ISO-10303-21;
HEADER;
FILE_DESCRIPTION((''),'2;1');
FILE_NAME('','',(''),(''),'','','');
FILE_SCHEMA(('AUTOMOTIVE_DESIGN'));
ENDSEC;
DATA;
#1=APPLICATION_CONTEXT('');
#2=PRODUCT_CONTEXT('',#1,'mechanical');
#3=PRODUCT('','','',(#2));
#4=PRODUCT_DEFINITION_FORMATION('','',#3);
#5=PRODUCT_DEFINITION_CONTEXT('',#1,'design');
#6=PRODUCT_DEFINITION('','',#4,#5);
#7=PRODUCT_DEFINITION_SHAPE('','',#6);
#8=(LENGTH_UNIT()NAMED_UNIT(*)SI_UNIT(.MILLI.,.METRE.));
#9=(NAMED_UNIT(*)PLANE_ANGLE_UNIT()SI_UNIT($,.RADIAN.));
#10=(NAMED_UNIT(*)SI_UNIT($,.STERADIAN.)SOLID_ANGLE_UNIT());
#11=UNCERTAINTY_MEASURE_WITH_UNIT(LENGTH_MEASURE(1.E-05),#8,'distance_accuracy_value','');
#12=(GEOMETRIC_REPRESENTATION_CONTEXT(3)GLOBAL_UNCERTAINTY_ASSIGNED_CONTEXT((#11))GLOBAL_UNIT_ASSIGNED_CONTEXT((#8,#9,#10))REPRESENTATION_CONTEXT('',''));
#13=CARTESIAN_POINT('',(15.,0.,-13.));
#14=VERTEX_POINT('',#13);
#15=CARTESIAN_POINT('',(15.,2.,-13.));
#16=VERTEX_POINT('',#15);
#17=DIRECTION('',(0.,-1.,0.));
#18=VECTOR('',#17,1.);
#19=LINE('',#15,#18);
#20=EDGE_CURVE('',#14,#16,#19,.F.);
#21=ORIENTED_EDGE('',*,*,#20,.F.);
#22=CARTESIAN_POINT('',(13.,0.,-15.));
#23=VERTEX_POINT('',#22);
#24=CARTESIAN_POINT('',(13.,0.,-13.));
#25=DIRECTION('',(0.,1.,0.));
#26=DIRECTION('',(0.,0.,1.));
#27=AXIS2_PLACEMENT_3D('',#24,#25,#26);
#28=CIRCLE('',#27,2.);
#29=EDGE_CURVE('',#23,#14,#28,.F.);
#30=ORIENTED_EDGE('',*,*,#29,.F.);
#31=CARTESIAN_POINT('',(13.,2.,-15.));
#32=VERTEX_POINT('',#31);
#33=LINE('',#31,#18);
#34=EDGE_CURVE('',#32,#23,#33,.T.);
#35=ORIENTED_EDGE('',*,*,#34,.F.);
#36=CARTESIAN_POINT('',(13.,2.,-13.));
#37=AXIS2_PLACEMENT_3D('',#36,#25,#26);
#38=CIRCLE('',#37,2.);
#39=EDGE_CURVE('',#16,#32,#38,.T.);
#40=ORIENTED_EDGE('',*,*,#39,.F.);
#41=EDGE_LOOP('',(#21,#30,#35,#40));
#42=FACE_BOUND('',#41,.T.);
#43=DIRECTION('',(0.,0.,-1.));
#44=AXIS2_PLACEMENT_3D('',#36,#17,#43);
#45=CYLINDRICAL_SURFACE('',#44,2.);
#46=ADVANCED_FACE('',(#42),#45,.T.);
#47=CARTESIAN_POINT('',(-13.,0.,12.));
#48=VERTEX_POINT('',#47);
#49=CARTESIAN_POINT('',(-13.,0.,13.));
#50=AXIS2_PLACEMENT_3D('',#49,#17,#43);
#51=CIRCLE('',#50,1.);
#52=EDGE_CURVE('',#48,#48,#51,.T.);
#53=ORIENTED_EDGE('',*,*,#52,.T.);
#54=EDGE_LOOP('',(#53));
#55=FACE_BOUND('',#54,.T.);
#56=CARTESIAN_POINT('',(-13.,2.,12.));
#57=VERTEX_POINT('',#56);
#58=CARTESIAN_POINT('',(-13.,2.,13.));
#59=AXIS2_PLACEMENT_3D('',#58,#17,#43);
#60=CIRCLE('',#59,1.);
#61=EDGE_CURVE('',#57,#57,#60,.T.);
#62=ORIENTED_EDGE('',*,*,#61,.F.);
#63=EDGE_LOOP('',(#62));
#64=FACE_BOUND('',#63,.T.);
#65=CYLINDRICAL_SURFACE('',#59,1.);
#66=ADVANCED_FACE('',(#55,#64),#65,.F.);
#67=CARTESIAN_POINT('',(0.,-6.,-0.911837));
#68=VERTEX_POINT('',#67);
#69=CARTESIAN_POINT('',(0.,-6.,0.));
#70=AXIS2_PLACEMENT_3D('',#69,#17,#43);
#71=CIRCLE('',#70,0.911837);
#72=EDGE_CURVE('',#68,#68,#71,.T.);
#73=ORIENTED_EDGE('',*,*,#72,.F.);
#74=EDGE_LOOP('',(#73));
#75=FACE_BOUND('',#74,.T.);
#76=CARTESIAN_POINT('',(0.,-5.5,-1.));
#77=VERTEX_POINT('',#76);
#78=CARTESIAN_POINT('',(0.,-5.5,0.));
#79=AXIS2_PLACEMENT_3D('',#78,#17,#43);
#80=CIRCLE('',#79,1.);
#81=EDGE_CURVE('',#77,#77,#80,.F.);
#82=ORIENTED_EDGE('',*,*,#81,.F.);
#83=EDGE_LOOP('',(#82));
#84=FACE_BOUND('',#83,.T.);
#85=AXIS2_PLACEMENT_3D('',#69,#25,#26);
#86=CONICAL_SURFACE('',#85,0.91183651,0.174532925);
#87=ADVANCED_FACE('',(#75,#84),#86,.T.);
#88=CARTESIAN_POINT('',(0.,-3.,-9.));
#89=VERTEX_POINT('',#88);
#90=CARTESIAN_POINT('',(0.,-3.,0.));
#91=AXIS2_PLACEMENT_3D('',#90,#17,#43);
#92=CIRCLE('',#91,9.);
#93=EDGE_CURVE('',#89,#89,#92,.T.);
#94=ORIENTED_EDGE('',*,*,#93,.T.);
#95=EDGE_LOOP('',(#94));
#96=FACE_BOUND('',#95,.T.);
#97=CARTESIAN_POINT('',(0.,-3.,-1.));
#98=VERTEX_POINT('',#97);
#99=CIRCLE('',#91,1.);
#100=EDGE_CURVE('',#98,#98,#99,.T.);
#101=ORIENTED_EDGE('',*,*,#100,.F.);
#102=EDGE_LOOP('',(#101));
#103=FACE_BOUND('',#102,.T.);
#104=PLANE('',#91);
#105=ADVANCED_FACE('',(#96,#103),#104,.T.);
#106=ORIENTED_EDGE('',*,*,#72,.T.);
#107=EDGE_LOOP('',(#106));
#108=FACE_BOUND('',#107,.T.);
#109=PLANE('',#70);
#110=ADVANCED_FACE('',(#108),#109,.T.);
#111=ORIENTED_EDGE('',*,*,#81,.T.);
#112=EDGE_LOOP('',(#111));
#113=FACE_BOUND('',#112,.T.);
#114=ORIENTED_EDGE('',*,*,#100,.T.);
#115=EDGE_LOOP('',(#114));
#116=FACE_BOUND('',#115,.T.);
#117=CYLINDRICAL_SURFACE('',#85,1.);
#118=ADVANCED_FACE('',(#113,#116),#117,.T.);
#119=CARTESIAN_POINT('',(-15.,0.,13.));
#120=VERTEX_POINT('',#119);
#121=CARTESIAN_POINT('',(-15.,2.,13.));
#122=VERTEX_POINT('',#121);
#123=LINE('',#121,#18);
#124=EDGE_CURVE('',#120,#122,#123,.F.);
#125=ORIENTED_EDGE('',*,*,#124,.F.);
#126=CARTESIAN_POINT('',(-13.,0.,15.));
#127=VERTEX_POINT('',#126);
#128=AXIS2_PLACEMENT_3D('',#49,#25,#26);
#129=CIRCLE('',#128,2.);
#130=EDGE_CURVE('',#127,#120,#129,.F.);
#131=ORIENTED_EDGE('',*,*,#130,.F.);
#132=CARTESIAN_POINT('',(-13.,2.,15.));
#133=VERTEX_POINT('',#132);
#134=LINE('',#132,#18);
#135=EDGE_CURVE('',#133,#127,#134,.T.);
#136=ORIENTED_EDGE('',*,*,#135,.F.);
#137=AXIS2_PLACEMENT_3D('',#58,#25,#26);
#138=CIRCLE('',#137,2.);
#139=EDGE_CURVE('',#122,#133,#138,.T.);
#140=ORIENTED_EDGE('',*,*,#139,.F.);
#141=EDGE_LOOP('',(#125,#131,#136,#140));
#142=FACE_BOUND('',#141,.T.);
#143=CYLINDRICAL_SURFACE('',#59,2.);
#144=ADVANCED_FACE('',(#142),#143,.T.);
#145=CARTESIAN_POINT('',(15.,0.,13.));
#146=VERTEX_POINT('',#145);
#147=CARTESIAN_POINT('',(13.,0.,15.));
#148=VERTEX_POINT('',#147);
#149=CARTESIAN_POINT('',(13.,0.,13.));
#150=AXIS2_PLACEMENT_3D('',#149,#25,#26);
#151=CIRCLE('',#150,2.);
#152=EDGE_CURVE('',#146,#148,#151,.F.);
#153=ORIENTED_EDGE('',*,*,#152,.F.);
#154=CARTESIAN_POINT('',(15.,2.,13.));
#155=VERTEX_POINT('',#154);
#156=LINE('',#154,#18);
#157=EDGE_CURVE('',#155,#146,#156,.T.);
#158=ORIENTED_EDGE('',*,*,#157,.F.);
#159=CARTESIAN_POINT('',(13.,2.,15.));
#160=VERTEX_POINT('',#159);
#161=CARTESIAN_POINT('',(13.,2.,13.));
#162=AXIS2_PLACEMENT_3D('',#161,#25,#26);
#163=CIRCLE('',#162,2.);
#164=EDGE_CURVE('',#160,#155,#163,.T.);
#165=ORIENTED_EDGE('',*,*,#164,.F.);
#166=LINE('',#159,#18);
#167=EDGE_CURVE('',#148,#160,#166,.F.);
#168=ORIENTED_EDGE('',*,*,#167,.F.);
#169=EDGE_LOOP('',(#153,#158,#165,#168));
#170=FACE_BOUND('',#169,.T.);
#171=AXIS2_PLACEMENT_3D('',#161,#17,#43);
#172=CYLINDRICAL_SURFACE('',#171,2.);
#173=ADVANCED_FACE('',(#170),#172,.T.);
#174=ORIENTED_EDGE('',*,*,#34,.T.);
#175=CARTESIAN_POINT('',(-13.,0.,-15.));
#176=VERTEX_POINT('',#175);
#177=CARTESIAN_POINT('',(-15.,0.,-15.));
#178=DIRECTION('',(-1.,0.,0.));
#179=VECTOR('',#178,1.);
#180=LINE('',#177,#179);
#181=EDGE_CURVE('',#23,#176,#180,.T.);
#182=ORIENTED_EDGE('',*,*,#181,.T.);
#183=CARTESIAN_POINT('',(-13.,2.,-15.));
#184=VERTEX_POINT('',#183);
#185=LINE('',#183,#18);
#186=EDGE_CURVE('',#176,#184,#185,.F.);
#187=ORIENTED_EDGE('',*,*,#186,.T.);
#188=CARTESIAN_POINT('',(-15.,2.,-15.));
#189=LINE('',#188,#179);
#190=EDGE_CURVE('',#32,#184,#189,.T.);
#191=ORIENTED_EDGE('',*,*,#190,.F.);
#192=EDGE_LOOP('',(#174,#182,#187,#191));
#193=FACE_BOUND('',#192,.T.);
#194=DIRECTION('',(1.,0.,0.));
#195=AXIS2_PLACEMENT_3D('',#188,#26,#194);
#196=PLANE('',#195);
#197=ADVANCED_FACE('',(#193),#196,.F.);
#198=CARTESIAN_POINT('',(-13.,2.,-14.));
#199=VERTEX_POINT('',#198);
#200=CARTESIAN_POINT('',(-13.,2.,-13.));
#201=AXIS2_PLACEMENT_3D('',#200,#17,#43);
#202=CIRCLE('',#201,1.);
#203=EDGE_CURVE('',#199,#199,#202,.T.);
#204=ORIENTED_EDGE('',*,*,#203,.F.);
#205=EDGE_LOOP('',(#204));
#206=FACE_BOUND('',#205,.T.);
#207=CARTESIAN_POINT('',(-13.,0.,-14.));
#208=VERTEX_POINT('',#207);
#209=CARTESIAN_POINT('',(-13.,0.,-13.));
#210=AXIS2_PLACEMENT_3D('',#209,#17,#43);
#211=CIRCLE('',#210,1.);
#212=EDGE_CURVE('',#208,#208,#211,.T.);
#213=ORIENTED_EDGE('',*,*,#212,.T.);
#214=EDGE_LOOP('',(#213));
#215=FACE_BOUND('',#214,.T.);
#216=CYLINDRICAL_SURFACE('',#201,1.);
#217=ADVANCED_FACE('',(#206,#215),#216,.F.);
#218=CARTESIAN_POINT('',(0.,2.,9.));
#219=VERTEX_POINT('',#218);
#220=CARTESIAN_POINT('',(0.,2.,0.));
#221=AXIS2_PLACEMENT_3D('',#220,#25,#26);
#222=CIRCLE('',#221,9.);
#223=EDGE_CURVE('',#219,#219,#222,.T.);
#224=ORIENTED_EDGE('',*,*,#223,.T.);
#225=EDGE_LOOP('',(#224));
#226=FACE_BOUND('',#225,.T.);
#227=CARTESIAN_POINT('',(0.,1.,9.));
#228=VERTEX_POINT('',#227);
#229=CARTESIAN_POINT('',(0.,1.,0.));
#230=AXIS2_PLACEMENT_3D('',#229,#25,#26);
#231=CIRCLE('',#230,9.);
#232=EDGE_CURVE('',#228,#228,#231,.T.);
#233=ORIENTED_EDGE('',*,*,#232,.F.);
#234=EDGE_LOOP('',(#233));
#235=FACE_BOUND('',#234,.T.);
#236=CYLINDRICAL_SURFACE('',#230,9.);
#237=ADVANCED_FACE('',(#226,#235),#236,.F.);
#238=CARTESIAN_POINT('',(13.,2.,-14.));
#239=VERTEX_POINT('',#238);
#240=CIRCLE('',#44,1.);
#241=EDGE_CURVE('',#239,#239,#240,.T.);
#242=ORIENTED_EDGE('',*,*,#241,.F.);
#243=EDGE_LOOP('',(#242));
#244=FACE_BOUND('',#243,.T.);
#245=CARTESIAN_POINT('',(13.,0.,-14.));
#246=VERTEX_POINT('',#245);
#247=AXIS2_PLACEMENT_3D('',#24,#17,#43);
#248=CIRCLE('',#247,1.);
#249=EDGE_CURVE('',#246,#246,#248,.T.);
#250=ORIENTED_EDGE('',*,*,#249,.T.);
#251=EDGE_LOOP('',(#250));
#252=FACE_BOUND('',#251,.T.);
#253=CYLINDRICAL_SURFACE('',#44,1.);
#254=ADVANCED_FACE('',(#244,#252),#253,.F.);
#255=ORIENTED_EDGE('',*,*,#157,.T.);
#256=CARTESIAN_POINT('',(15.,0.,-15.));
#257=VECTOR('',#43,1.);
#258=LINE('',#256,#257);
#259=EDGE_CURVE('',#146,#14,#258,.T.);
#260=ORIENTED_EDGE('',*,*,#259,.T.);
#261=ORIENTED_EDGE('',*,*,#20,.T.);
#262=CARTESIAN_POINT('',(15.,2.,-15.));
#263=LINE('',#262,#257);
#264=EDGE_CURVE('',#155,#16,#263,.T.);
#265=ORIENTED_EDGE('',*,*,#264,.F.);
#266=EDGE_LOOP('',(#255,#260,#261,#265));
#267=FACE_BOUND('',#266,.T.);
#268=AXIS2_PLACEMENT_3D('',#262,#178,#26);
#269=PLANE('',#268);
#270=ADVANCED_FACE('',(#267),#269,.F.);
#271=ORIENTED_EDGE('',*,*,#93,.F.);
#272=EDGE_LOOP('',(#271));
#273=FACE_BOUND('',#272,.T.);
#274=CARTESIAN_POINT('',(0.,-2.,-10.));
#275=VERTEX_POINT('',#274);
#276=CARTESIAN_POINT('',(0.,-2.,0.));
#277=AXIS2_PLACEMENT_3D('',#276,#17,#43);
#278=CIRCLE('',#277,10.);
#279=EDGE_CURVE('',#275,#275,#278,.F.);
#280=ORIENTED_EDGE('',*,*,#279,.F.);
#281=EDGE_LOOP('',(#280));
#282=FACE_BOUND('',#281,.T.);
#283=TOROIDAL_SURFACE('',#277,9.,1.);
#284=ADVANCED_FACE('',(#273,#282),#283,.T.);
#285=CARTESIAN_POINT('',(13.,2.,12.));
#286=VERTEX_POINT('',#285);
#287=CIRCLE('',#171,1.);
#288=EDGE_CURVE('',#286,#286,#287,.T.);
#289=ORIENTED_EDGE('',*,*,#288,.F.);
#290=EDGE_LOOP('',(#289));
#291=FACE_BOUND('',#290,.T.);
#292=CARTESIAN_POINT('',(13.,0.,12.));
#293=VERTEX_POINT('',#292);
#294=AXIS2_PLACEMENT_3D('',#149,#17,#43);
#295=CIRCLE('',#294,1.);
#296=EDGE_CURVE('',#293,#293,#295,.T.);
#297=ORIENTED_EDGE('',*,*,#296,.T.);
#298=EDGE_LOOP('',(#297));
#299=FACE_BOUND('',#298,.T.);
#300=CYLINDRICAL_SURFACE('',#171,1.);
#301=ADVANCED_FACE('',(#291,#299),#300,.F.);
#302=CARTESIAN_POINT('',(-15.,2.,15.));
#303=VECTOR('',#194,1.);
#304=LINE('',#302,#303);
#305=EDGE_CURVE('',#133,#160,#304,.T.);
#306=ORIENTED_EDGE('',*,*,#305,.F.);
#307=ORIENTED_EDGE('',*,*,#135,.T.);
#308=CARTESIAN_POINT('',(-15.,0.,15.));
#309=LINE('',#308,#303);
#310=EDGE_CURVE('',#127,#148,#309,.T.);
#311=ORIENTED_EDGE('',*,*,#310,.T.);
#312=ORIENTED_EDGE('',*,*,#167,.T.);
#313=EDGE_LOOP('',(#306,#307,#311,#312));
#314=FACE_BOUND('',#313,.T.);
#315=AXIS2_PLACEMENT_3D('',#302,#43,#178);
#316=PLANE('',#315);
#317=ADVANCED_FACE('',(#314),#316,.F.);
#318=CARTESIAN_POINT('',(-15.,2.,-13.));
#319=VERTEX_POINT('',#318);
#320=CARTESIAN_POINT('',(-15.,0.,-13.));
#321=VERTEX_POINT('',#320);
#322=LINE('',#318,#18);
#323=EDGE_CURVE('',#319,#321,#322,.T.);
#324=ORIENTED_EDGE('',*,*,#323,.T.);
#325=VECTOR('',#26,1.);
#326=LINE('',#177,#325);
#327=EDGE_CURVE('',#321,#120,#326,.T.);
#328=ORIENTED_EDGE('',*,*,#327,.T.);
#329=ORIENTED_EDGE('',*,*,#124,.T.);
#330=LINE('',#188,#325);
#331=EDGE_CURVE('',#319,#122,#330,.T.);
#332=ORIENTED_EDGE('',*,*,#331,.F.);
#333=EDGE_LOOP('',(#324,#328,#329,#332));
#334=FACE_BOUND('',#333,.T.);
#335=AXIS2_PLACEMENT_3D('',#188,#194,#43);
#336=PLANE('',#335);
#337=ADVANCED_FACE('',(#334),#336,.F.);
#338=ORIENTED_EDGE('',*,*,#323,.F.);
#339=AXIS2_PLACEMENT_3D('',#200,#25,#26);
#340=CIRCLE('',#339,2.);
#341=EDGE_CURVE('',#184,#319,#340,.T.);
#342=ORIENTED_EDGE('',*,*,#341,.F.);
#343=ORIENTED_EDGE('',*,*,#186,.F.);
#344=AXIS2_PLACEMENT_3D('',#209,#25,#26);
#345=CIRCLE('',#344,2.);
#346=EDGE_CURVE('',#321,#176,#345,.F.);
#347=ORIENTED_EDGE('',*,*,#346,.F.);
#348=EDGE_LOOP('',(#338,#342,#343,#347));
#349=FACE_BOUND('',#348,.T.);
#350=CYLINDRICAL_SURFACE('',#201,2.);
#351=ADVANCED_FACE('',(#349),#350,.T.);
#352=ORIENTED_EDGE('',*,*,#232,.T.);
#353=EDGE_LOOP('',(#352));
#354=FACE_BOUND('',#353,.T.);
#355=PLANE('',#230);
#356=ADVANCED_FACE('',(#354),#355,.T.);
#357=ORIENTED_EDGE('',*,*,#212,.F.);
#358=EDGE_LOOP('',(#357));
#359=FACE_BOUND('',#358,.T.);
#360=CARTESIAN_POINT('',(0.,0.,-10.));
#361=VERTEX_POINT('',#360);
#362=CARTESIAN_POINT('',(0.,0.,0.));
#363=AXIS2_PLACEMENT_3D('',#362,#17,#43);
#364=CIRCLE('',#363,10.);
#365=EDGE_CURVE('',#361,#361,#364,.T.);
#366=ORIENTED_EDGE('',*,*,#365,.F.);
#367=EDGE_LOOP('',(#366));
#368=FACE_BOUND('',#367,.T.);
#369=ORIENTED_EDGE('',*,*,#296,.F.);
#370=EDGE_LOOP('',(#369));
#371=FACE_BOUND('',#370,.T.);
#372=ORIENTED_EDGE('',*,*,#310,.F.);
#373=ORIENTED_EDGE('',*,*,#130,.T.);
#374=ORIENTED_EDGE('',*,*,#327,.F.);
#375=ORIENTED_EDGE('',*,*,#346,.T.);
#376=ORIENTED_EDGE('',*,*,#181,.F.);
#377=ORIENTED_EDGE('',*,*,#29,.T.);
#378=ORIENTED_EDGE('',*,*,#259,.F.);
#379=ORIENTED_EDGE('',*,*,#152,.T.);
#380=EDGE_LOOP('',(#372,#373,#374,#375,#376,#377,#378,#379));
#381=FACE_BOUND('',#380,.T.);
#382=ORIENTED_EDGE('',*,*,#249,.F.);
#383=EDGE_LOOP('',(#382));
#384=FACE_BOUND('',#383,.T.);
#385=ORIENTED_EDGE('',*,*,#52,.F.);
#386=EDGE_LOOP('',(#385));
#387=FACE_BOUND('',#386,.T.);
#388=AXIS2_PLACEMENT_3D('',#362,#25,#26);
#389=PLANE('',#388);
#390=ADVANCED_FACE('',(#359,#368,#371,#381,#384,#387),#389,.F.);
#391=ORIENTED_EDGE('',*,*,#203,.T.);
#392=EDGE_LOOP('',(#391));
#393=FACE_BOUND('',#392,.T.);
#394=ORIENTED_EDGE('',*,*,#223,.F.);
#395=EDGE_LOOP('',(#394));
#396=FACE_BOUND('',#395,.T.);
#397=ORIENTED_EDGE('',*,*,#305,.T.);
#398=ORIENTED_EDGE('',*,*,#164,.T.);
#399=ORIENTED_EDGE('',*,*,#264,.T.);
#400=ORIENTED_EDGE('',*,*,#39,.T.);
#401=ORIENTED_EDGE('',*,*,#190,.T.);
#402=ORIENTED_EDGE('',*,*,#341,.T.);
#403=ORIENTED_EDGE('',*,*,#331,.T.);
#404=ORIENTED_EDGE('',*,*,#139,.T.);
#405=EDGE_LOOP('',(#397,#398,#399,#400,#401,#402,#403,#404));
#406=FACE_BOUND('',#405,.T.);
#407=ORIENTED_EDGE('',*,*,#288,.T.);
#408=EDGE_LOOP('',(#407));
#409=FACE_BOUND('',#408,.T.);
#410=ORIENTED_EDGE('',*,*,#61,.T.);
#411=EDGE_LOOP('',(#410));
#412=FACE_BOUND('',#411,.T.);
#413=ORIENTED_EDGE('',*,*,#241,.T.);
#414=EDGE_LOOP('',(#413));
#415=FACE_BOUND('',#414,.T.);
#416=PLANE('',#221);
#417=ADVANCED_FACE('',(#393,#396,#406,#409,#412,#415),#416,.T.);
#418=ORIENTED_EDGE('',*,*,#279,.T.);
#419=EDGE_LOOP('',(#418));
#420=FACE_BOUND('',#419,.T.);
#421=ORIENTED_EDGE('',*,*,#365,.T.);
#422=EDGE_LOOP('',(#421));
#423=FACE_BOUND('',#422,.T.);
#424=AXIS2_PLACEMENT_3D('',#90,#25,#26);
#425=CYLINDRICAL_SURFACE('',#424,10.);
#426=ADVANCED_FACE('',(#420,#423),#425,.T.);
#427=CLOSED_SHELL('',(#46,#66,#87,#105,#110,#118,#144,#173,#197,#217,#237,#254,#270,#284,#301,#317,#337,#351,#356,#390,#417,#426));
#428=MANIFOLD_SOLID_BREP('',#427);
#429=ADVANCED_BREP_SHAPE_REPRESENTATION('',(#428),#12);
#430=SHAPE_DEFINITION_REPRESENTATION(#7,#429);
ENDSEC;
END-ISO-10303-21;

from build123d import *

# Parameters (mm, degrees)
SKETCH1_W           = 30
SKETCH1_H           = 30
BOSS_EXTRUDE1_DEPTH = 2
SKETCH2_R           = 9
CUT_EXTRUDE1_DEPTH  = 1
SKETCH3_R           = 10
BOSS_EXTRUDE2_DEPTH = 3
SKETCH4_R           = 1
BOSS_EXTRUDE3_DEPTH = 3
FILLET1_R           = 1
CHAMFER2_SIZE       = 0.5
CHAMFER2_SIZE2      = 0.08816349
SKETCH5_R           = 1
CUT_EXTRUDE2_DEPTH  = 3
FILLET2_R           = 2


with BuildPart() as part:
    # Sketch1 → Boss-Extrude1 (new body)
    with BuildSketch(Plane(origin=(0, 0, 0), x_dir=(1, 0, 0), z_dir=(0, 1, 0))):
        Rectangle(SKETCH1_W, SKETCH1_H)
    extrude(amount=BOSS_EXTRUDE1_DEPTH)

    # Sketch2 → Cut-Extrude1 (cut)
    with BuildSketch(Plane(origin=(0, 2, 0), x_dir=(1, 0, 0), z_dir=(0, 1, 0))):
        Circle(SKETCH2_R)
    extrude(amount=-CUT_EXTRUDE1_DEPTH, mode=Mode.SUBTRACT)

    # Sketch3 → Boss-Extrude2 (add)
    with BuildSketch(Plane.XZ):
        Circle(SKETCH3_R)
    extrude(amount=BOSS_EXTRUDE2_DEPTH)

    # Sketch4 → Boss-Extrude3 (add)
    with BuildSketch(Plane.XZ.offset(3)):
        Circle(SKETCH4_R)
    extrude(amount=BOSS_EXTRUDE3_DEPTH)

    # Fillet1
    fillet1_edges = [part.edges().sort_by_distance(p)[0] for p in [
        (-10, -3, 0),
    ]]
    fillet(fillet1_edges, radius=FILLET1_R)

    # Chamfer2
    chamfer2_edges = [part.edges().sort_by_distance(p)[0] for p in [
        (-1, -6, 0),
    ]]
    chamfer2_side = [part.faces().sort_by_distance(p)[0] for p in [
        (-1, -4.5, 0),
    ]]
    chamfer(chamfer2_edges, length=CHAMFER2_SIZE, length2=CHAMFER2_SIZE2, reference=chamfer2_side[0])

    # Sketch5 → Cut-Extrude2 (cut, through all)
    with BuildSketch(Plane.XZ):
        with Locations((-13, 13)):
            Circle(SKETCH5_R)
        with Locations((13, 13)):
            Circle(SKETCH5_R)
        with Locations((13, -13)):
            Circle(SKETCH5_R)
        with Locations((-13, -13)):
            Circle(SKETCH5_R)
    extrude(amount=-CUT_EXTRUDE2_DEPTH, mode=Mode.SUBTRACT)

    # Fillet2
    fillet2_edges = [part.edges().sort_by_distance(p)[0] for p in [
        (15, 1, 15),
        (-15, 1, 15),
        (-15, 1, -15),
        (15, 1, -15),
    ]]
    fillet(fillet2_edges, radius=FILLET2_R)


solid = part.part
